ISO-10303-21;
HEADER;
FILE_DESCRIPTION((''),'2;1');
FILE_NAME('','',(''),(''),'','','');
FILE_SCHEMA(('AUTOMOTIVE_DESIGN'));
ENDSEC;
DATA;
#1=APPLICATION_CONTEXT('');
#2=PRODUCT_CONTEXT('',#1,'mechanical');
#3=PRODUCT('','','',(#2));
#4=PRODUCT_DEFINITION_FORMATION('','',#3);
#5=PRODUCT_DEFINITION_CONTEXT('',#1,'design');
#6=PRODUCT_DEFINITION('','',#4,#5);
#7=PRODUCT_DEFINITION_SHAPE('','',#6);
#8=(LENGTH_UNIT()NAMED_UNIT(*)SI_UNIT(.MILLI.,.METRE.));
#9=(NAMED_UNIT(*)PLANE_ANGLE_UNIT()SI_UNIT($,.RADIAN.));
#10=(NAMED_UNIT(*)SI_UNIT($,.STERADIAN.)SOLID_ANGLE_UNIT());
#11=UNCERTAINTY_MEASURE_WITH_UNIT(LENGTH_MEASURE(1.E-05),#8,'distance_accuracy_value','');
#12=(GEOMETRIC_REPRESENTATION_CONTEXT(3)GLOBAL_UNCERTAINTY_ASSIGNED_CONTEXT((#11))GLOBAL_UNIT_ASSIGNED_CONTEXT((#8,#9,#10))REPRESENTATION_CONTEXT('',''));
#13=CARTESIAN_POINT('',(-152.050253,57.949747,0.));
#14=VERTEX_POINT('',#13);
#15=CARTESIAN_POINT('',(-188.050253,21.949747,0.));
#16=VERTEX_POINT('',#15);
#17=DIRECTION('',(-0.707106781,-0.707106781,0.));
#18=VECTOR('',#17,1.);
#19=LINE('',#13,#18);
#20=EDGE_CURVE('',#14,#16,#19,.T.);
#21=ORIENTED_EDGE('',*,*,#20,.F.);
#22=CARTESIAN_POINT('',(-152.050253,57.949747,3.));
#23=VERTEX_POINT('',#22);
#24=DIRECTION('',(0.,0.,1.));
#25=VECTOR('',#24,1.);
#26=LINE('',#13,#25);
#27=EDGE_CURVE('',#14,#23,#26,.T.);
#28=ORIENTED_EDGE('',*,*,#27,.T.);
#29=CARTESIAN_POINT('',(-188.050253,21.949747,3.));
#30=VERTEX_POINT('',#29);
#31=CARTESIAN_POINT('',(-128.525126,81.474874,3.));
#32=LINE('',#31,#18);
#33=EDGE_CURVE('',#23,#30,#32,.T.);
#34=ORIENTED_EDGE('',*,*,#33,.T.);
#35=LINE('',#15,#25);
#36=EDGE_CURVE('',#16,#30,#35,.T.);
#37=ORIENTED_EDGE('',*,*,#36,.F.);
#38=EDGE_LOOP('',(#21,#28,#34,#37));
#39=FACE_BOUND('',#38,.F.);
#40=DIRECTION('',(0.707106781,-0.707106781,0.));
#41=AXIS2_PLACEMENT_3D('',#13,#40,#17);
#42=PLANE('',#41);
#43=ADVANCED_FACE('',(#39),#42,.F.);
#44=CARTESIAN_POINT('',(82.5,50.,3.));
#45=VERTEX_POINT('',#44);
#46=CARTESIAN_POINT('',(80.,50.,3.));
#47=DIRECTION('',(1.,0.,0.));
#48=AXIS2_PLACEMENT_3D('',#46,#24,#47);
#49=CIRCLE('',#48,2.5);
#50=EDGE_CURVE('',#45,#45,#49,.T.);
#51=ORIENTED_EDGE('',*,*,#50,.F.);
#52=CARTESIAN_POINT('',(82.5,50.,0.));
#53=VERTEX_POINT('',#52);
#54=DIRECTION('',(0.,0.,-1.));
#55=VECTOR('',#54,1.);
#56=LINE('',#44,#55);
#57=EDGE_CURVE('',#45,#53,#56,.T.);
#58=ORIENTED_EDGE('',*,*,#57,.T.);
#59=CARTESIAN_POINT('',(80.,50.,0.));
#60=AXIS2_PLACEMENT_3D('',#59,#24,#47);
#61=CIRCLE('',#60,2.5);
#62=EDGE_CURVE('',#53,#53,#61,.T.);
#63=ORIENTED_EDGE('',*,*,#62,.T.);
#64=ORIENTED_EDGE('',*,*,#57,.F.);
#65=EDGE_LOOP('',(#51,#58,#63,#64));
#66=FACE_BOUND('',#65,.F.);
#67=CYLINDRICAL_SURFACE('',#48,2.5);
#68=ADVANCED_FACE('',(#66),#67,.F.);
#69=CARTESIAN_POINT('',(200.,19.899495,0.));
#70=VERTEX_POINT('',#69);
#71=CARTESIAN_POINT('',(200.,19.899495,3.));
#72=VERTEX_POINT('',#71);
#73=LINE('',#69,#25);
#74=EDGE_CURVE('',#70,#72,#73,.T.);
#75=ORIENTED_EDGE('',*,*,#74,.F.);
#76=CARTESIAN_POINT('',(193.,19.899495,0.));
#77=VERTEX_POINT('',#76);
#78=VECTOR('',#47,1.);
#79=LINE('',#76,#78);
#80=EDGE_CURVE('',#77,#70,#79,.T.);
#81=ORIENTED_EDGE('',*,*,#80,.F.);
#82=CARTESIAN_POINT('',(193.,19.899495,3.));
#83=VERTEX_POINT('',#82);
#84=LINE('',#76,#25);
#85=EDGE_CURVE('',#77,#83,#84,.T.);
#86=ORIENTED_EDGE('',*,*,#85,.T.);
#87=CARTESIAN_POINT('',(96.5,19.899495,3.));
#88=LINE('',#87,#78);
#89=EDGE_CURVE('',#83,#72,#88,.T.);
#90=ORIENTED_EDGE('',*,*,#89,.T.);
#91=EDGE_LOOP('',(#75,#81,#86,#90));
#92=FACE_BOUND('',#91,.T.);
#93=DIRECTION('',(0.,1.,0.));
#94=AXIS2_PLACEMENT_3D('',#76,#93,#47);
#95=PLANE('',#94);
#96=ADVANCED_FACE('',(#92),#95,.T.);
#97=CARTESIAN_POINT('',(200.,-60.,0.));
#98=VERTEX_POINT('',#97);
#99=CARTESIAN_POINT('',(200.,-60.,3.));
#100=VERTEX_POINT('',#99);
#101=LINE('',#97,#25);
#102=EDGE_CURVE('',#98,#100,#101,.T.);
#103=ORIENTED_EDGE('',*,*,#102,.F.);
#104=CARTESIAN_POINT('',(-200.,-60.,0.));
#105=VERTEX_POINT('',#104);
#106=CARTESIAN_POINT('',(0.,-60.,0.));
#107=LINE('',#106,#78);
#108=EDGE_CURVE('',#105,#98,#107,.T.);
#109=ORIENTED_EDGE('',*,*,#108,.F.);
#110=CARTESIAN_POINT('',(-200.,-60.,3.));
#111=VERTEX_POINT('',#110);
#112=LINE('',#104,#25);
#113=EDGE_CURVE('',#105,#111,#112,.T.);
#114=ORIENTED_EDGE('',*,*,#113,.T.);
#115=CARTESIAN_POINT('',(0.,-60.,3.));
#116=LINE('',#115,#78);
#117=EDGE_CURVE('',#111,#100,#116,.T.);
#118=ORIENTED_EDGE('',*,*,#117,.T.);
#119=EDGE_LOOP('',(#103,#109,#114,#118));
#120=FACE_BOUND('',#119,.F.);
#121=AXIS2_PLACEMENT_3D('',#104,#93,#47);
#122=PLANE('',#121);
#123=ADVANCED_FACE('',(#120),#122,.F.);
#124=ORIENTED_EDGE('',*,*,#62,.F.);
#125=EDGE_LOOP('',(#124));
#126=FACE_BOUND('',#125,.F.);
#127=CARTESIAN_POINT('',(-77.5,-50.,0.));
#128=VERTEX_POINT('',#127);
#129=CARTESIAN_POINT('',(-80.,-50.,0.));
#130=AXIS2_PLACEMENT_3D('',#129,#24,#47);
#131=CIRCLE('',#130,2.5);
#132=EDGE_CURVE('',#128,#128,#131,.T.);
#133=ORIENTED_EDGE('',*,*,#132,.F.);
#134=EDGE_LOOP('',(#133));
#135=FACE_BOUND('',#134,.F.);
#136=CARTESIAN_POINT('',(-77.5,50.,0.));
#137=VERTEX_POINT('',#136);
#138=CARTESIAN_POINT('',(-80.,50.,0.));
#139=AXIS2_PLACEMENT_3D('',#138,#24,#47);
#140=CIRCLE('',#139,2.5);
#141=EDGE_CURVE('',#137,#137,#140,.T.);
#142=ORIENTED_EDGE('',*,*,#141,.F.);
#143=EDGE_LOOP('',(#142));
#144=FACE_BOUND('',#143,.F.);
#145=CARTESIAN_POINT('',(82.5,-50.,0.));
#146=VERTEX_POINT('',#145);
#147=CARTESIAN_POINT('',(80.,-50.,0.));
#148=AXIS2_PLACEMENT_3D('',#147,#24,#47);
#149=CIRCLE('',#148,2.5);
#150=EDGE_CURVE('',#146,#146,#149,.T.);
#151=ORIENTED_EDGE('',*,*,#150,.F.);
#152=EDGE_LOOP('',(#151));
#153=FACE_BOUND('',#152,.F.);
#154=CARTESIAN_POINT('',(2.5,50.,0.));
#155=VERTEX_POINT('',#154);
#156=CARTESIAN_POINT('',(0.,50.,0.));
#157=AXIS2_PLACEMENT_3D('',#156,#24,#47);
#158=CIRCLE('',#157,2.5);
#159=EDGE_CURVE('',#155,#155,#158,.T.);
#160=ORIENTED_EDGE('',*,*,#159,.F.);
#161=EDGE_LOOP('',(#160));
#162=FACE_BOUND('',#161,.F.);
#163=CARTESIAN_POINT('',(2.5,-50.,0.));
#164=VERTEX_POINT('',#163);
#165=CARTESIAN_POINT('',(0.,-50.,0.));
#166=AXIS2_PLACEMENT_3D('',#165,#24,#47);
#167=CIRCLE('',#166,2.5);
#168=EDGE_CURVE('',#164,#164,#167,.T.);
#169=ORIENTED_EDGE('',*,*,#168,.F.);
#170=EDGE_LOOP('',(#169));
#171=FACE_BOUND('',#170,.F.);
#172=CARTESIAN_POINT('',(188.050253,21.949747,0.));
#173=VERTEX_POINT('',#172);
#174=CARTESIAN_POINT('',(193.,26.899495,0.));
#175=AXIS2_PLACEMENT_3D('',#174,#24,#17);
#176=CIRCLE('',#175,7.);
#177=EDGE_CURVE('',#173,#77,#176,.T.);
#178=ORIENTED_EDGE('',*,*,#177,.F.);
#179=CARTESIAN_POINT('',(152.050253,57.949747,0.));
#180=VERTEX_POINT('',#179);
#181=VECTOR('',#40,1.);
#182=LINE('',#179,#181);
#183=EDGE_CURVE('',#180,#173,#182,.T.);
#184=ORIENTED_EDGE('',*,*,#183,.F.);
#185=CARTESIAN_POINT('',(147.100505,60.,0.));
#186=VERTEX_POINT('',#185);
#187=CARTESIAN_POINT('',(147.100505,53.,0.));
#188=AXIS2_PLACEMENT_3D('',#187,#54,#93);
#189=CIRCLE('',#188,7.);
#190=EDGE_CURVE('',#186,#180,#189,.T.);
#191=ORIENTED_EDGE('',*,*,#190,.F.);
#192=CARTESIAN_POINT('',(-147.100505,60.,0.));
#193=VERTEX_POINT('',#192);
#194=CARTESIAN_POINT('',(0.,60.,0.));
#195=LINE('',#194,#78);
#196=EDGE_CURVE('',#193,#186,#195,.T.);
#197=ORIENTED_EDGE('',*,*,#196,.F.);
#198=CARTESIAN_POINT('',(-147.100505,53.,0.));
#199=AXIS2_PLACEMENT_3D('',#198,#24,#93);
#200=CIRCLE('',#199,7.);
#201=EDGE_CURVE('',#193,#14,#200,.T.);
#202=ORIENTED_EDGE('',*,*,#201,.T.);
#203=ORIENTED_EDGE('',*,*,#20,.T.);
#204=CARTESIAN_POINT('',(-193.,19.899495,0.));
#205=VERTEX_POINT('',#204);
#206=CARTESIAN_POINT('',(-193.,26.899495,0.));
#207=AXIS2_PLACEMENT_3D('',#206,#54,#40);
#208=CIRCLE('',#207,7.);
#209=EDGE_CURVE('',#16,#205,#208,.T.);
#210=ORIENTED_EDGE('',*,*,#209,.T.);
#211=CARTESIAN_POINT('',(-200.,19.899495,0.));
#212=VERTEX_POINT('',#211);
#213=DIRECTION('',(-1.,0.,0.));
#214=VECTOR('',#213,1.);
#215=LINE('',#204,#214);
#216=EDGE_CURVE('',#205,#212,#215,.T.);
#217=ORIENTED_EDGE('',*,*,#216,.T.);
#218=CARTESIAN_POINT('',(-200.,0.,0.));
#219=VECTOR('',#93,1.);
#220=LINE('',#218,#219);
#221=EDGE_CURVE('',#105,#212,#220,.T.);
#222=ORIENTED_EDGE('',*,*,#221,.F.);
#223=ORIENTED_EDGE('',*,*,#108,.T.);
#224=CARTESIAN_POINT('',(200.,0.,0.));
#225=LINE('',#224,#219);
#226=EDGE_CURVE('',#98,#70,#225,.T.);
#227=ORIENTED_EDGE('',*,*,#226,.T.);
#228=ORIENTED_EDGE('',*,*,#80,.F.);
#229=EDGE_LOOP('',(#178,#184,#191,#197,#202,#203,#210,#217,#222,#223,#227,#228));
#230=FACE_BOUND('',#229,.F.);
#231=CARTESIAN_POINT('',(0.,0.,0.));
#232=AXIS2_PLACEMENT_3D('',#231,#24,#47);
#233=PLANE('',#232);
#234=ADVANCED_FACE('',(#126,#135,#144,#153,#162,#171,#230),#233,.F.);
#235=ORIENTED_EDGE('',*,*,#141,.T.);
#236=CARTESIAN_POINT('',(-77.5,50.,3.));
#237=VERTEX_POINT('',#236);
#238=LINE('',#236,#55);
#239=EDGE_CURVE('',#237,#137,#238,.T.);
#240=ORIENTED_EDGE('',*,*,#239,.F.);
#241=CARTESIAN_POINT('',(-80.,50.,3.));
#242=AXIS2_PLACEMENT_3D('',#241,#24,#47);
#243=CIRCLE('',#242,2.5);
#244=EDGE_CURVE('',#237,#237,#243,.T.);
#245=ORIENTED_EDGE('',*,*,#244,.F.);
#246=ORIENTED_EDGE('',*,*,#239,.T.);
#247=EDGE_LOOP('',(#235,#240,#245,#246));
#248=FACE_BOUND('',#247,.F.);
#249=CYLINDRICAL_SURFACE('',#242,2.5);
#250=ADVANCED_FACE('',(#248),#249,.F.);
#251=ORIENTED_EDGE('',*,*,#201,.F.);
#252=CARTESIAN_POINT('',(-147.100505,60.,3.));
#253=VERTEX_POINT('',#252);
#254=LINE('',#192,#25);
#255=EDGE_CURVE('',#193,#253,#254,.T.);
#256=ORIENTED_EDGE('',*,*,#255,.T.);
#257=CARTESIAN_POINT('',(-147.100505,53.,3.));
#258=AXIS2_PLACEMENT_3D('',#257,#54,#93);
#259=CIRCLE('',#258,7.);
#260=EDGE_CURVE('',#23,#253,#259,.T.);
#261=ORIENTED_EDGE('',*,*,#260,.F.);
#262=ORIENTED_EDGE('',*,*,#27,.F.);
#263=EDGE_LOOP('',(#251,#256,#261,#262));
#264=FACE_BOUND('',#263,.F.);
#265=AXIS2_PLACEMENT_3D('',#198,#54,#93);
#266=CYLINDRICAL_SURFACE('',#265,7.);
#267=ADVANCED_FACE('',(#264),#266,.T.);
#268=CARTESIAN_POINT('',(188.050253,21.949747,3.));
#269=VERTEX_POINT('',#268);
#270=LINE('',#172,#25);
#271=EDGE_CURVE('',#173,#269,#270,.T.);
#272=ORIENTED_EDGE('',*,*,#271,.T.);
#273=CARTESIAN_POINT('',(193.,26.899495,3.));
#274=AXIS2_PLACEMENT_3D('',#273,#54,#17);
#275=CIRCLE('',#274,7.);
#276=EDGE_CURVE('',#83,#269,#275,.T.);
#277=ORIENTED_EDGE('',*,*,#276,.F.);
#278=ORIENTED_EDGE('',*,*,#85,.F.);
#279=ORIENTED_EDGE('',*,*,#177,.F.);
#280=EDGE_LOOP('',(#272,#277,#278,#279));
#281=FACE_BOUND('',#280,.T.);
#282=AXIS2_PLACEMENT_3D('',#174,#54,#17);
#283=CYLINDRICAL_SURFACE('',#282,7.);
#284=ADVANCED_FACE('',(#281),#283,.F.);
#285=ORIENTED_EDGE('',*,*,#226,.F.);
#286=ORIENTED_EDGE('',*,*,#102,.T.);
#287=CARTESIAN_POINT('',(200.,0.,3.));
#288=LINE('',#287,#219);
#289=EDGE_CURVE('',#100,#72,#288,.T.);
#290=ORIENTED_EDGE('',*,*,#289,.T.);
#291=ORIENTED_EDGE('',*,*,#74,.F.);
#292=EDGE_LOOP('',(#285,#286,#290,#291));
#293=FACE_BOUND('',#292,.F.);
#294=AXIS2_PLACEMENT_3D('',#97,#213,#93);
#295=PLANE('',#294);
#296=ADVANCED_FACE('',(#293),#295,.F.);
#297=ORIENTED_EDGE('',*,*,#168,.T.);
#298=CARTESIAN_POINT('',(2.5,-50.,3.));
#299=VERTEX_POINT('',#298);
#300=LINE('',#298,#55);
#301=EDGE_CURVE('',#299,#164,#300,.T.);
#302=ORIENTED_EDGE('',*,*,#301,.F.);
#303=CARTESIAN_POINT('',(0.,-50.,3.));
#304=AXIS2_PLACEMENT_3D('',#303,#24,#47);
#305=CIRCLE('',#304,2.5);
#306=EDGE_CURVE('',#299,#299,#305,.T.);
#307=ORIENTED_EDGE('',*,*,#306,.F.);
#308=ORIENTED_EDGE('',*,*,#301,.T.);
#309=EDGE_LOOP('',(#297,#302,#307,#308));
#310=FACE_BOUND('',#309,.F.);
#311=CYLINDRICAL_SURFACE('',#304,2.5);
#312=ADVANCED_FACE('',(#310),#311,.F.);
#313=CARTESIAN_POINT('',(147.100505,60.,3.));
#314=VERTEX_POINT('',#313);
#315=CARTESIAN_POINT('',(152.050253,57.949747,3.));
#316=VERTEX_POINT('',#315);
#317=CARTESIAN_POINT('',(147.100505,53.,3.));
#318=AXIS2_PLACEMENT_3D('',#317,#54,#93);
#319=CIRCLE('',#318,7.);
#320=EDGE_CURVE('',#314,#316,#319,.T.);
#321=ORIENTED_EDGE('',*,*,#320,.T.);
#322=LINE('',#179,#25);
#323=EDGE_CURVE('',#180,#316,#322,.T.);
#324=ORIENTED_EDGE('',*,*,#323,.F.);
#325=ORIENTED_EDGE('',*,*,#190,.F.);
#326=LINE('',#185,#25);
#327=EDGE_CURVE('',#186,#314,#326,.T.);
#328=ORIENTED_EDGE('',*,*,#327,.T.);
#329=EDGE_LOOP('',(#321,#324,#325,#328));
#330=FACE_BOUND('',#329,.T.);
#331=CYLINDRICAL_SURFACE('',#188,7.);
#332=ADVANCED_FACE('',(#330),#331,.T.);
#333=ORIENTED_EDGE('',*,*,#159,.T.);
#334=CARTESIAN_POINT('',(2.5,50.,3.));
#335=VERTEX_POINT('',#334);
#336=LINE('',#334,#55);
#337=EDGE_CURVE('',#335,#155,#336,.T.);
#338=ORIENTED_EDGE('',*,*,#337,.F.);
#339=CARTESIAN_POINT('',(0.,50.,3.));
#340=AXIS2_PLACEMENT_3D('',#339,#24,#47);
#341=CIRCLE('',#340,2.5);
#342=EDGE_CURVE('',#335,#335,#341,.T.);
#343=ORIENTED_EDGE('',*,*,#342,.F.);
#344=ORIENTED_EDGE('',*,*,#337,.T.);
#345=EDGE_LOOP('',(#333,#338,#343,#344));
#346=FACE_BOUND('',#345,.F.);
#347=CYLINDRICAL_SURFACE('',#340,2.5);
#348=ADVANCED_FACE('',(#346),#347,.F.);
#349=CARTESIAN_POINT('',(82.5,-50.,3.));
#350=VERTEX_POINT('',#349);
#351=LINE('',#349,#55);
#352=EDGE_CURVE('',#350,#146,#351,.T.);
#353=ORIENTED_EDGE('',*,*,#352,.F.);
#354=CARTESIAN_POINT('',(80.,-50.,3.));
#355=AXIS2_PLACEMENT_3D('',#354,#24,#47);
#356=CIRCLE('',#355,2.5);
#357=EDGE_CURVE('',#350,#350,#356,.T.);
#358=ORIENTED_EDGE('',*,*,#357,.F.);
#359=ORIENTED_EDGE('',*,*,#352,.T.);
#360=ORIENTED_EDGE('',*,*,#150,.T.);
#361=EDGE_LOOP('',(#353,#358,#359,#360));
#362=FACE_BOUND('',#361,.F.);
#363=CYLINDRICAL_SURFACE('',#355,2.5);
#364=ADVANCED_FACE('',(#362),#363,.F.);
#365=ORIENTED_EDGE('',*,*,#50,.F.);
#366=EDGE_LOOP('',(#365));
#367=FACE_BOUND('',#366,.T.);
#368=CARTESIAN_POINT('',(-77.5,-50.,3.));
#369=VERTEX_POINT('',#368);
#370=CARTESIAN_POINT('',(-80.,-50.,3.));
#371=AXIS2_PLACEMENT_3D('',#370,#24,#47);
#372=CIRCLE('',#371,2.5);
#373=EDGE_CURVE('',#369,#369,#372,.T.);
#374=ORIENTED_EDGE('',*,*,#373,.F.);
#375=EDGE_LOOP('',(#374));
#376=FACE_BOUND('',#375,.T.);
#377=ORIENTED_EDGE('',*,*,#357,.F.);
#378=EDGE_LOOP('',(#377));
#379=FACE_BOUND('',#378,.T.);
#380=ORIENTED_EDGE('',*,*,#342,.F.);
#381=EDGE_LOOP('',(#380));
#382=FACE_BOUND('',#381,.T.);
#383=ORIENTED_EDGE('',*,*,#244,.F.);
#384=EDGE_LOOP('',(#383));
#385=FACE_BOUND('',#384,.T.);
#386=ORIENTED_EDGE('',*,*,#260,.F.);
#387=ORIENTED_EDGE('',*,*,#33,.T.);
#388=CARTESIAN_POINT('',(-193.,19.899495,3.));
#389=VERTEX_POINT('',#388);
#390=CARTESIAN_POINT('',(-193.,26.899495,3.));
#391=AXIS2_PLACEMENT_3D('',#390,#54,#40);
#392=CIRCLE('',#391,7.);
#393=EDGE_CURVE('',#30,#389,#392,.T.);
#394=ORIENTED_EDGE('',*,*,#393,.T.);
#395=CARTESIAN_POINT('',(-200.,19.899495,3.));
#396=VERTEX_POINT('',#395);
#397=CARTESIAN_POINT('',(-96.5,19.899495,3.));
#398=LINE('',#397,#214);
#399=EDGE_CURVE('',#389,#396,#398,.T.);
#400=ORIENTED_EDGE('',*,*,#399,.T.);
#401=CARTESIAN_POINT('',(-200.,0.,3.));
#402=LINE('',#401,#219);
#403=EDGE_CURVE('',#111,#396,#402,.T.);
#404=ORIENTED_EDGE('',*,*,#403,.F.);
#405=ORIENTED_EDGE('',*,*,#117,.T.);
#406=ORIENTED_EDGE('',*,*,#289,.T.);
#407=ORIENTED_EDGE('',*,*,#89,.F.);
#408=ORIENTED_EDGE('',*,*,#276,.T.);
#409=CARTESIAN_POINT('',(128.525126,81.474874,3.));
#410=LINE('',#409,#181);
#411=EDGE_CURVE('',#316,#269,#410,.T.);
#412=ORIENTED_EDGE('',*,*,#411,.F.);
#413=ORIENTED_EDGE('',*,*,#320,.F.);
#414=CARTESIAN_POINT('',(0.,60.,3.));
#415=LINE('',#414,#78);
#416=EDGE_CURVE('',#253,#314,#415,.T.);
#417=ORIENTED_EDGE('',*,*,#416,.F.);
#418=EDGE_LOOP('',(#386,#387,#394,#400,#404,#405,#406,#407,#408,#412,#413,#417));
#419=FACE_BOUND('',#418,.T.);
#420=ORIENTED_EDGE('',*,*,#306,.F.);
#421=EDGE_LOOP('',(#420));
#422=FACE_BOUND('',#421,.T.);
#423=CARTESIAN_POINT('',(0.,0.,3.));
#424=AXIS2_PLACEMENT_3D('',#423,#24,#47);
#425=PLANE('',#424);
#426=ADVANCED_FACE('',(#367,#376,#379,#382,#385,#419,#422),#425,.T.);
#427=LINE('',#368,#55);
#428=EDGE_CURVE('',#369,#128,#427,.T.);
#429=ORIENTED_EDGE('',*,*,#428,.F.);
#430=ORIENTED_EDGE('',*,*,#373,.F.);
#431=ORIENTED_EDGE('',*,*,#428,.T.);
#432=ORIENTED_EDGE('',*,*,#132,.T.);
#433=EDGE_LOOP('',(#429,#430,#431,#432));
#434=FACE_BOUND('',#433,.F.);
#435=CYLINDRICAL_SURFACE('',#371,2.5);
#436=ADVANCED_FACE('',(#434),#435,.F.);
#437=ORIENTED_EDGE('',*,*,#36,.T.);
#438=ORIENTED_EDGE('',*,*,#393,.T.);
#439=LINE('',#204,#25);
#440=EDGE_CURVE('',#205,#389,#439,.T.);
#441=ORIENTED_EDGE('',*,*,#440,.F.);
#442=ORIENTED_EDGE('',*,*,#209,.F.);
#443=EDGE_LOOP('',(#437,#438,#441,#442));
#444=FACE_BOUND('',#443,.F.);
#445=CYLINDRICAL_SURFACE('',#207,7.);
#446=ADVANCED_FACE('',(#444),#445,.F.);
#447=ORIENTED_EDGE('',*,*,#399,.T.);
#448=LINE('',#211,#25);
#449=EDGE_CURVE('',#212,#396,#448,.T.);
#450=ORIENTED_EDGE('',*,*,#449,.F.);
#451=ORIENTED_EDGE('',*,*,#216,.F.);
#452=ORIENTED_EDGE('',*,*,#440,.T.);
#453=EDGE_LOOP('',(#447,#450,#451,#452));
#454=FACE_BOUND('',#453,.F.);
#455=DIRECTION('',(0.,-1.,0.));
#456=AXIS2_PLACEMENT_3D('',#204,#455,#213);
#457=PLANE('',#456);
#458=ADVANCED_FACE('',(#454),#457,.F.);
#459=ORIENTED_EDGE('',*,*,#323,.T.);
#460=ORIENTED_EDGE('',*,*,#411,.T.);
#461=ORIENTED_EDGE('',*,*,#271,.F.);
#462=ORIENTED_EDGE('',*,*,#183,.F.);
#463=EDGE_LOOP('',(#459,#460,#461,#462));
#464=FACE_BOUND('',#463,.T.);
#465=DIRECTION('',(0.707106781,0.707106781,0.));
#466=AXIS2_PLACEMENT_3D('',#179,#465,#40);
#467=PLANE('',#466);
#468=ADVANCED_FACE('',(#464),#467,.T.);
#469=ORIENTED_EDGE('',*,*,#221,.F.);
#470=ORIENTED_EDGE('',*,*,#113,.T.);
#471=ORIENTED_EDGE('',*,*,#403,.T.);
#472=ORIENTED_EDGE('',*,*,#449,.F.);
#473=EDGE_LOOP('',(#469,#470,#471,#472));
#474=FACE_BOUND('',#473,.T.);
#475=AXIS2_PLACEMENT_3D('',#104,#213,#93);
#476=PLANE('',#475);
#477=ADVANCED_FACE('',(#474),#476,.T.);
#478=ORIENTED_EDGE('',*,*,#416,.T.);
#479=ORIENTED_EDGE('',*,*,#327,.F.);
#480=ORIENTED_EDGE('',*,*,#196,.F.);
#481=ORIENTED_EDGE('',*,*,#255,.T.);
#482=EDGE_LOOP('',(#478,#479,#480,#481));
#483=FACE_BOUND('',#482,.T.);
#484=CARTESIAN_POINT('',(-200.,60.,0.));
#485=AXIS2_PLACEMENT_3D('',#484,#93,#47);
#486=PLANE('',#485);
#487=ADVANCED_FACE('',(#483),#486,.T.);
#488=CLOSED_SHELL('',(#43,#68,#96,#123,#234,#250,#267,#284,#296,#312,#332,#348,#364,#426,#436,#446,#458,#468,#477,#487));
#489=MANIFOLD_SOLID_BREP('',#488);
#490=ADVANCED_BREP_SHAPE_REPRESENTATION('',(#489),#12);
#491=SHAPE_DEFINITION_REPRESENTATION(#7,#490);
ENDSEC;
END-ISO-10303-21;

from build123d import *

# Parameters (mm, degrees)
SKETCH1_W           = 400
SKETCH1_H           = 120
BOSS_EXTRUDE1_DEPTH = 3
CUT_EXTRUDE1_REACH  = 210.828
CUT_EXTRUDE2_REACH  = 210.828
SKETCH3_R           = 2.5


with BuildPart() as part:
    # Sketch1 → Boss-Extrude1 (new body)
    with BuildSketch(Plane.XY):
        Rectangle(SKETCH1_W, SKETCH1_H)
    extrude(amount=BOSS_EXTRUDE1_DEPTH)

    # Sketch2 → Cut-Extrude1 (cut, up to next)
    with BuildSketch(Plane(origin=(0, 0, 0), x_dir=(-1, 0, 0), z_dir=(0, 0, -1)), mode=Mode.PRIVATE) as cut_extrude1_sk1:
        with BuildLine():
            Line((200, 60), (147.100505063, 60))
            ThreePointArc((147.100505063, 60), (149.77928909, 59.467156728), (152.050252532, 57.949747468))
            Line((152.050252532, 57.949747468), (188.050252532, 21.949747468))
            ThreePointArc((188.050252532, 21.949747468), (190.321215973, 20.432338209), (193, 19.899494937))
            Line((193, 19.899494937), (200, 19.899494937))
            Line((200, 19.899494937), (200, 60))
        make_face()
    cut_extrude1_tool1 = extrude(cut_extrude1_sk1.sketch, amount=-CUT_EXTRUDE1_REACH, mode=Mode.PRIVATE) & part.part
    # Sketch2 → Cut-Extrude1 (cut, up to next)
    with BuildSketch(Plane(origin=(0, 0, 0), x_dir=(-1, 0, 0), z_dir=(0, 0, -1)), mode=Mode.PRIVATE) as cut_extrude1_sk2:
        with BuildLine():
            Line((-152.050252532, 57.949747468), (-188.050252532, 21.949747468))
            ThreePointArc((-188.050252532, 21.949747468), (-190.321215973, 20.432338209), (-193, 19.899494937))
            Line((-193, 19.899494937), (-200, 19.899494937))
            Line((-200, 19.899494937), (-200, 60))
            Line((-200, 60), (-147.100505063, 60))
            ThreePointArc((-147.100505063, 60), (-149.77928909, 59.467156728), (-152.050252532, 57.949747468))
        make_face()
    cut_extrude1_tool2 = extrude(cut_extrude1_sk2.sketch, amount=-CUT_EXTRUDE1_REACH, mode=Mode.PRIVATE) & part.part
    add(cut_extrude1_tool1.solids().sort_by_distance((-182.75247, 44.458509, 0))[0], mode=Mode.SUBTRACT)
    add(cut_extrude1_tool2.solids().sort_by_distance((182.75247, 44.458509, 0))[0], mode=Mode.SUBTRACT)

    # Sketch3 → Cut-Extrude2 (cut, up to next)
    with BuildSketch(Plane.XY.offset(3), mode=Mode.PRIVATE) as cut_extrude2_sk1:
        with Locations((-80, 50)):
            Circle(SKETCH3_R)
    cut_extrude2_tool1 = extrude(cut_extrude2_sk1.sketch, amount=-CUT_EXTRUDE2_REACH, mode=Mode.PRIVATE) & part.part
    # Sketch3 → Cut-Extrude2 (cut, up to next)
    with BuildSketch(Plane.XY.offset(3), mode=Mode.PRIVATE) as cut_extrude2_sk2:
        with Locations((0, 50)):
            Circle(SKETCH3_R)
    cut_extrude2_tool2 = extrude(cut_extrude2_sk2.sketch, amount=-CUT_EXTRUDE2_REACH, mode=Mode.PRIVATE) & part.part
    # Sketch3 → Cut-Extrude2 (cut, up to next)
    with BuildSketch(Plane.XY.offset(3), mode=Mode.PRIVATE) as cut_extrude2_sk3:
        with Locations((0, -50)):
            Circle(SKETCH3_R)
    cut_extrude2_tool3 = extrude(cut_extrude2_sk3.sketch, amount=-CUT_EXTRUDE2_REACH, mode=Mode.PRIVATE) & part.part
    # Sketch3 → Cut-Extrude2 (cut, up to next)
    with BuildSketch(Plane.XY.offset(3), mode=Mode.PRIVATE) as cut_extrude2_sk4:
        with Locations((-80, -50)):
            Circle(SKETCH3_R)
    cut_extrude2_tool4 = extrude(cut_extrude2_sk4.sketch, amount=-CUT_EXTRUDE2_REACH, mode=Mode.PRIVATE) & part.part
    # Sketch3 → Cut-Extrude2 (cut, up to next)
    with BuildSketch(Plane.XY.offset(3), mode=Mode.PRIVATE) as cut_extrude2_sk5:
        with Locations((80, -50)):
            Circle(SKETCH3_R)
    cut_extrude2_tool5 = extrude(cut_extrude2_sk5.sketch, amount=-CUT_EXTRUDE2_REACH, mode=Mode.PRIVATE) & part.part
    # Sketch3 → Cut-Extrude2 (cut, up to next)
    with BuildSketch(Plane.XY.offset(3), mode=Mode.PRIVATE) as cut_extrude2_sk6:
        with Locations((80, 50)):
            Circle(SKETCH3_R)
    cut_extrude2_tool6 = extrude(cut_extrude2_sk6.sketch, amount=-CUT_EXTRUDE2_REACH, mode=Mode.PRIVATE) & part.part
    add(cut_extrude2_tool1.solids().sort_by_distance((-80, 50, 3))[0], mode=Mode.SUBTRACT)
    add(cut_extrude2_tool2.solids().sort_by_distance((0, 50, 3))[0], mode=Mode.SUBTRACT)
    add(cut_extrude2_tool3.solids().sort_by_distance((0, -50, 3))[0], mode=Mode.SUBTRACT)
    add(cut_extrude2_tool4.solids().sort_by_distance((-80, -50, 3))[0], mode=Mode.SUBTRACT)
    add(cut_extrude2_tool5.solids().sort_by_distance((80, -50, 3))[0], mode=Mode.SUBTRACT)
    add(cut_extrude2_tool6.solids().sort_by_distance((80, 50, 3))[0], mode=Mode.SUBTRACT)


solid = part.part
